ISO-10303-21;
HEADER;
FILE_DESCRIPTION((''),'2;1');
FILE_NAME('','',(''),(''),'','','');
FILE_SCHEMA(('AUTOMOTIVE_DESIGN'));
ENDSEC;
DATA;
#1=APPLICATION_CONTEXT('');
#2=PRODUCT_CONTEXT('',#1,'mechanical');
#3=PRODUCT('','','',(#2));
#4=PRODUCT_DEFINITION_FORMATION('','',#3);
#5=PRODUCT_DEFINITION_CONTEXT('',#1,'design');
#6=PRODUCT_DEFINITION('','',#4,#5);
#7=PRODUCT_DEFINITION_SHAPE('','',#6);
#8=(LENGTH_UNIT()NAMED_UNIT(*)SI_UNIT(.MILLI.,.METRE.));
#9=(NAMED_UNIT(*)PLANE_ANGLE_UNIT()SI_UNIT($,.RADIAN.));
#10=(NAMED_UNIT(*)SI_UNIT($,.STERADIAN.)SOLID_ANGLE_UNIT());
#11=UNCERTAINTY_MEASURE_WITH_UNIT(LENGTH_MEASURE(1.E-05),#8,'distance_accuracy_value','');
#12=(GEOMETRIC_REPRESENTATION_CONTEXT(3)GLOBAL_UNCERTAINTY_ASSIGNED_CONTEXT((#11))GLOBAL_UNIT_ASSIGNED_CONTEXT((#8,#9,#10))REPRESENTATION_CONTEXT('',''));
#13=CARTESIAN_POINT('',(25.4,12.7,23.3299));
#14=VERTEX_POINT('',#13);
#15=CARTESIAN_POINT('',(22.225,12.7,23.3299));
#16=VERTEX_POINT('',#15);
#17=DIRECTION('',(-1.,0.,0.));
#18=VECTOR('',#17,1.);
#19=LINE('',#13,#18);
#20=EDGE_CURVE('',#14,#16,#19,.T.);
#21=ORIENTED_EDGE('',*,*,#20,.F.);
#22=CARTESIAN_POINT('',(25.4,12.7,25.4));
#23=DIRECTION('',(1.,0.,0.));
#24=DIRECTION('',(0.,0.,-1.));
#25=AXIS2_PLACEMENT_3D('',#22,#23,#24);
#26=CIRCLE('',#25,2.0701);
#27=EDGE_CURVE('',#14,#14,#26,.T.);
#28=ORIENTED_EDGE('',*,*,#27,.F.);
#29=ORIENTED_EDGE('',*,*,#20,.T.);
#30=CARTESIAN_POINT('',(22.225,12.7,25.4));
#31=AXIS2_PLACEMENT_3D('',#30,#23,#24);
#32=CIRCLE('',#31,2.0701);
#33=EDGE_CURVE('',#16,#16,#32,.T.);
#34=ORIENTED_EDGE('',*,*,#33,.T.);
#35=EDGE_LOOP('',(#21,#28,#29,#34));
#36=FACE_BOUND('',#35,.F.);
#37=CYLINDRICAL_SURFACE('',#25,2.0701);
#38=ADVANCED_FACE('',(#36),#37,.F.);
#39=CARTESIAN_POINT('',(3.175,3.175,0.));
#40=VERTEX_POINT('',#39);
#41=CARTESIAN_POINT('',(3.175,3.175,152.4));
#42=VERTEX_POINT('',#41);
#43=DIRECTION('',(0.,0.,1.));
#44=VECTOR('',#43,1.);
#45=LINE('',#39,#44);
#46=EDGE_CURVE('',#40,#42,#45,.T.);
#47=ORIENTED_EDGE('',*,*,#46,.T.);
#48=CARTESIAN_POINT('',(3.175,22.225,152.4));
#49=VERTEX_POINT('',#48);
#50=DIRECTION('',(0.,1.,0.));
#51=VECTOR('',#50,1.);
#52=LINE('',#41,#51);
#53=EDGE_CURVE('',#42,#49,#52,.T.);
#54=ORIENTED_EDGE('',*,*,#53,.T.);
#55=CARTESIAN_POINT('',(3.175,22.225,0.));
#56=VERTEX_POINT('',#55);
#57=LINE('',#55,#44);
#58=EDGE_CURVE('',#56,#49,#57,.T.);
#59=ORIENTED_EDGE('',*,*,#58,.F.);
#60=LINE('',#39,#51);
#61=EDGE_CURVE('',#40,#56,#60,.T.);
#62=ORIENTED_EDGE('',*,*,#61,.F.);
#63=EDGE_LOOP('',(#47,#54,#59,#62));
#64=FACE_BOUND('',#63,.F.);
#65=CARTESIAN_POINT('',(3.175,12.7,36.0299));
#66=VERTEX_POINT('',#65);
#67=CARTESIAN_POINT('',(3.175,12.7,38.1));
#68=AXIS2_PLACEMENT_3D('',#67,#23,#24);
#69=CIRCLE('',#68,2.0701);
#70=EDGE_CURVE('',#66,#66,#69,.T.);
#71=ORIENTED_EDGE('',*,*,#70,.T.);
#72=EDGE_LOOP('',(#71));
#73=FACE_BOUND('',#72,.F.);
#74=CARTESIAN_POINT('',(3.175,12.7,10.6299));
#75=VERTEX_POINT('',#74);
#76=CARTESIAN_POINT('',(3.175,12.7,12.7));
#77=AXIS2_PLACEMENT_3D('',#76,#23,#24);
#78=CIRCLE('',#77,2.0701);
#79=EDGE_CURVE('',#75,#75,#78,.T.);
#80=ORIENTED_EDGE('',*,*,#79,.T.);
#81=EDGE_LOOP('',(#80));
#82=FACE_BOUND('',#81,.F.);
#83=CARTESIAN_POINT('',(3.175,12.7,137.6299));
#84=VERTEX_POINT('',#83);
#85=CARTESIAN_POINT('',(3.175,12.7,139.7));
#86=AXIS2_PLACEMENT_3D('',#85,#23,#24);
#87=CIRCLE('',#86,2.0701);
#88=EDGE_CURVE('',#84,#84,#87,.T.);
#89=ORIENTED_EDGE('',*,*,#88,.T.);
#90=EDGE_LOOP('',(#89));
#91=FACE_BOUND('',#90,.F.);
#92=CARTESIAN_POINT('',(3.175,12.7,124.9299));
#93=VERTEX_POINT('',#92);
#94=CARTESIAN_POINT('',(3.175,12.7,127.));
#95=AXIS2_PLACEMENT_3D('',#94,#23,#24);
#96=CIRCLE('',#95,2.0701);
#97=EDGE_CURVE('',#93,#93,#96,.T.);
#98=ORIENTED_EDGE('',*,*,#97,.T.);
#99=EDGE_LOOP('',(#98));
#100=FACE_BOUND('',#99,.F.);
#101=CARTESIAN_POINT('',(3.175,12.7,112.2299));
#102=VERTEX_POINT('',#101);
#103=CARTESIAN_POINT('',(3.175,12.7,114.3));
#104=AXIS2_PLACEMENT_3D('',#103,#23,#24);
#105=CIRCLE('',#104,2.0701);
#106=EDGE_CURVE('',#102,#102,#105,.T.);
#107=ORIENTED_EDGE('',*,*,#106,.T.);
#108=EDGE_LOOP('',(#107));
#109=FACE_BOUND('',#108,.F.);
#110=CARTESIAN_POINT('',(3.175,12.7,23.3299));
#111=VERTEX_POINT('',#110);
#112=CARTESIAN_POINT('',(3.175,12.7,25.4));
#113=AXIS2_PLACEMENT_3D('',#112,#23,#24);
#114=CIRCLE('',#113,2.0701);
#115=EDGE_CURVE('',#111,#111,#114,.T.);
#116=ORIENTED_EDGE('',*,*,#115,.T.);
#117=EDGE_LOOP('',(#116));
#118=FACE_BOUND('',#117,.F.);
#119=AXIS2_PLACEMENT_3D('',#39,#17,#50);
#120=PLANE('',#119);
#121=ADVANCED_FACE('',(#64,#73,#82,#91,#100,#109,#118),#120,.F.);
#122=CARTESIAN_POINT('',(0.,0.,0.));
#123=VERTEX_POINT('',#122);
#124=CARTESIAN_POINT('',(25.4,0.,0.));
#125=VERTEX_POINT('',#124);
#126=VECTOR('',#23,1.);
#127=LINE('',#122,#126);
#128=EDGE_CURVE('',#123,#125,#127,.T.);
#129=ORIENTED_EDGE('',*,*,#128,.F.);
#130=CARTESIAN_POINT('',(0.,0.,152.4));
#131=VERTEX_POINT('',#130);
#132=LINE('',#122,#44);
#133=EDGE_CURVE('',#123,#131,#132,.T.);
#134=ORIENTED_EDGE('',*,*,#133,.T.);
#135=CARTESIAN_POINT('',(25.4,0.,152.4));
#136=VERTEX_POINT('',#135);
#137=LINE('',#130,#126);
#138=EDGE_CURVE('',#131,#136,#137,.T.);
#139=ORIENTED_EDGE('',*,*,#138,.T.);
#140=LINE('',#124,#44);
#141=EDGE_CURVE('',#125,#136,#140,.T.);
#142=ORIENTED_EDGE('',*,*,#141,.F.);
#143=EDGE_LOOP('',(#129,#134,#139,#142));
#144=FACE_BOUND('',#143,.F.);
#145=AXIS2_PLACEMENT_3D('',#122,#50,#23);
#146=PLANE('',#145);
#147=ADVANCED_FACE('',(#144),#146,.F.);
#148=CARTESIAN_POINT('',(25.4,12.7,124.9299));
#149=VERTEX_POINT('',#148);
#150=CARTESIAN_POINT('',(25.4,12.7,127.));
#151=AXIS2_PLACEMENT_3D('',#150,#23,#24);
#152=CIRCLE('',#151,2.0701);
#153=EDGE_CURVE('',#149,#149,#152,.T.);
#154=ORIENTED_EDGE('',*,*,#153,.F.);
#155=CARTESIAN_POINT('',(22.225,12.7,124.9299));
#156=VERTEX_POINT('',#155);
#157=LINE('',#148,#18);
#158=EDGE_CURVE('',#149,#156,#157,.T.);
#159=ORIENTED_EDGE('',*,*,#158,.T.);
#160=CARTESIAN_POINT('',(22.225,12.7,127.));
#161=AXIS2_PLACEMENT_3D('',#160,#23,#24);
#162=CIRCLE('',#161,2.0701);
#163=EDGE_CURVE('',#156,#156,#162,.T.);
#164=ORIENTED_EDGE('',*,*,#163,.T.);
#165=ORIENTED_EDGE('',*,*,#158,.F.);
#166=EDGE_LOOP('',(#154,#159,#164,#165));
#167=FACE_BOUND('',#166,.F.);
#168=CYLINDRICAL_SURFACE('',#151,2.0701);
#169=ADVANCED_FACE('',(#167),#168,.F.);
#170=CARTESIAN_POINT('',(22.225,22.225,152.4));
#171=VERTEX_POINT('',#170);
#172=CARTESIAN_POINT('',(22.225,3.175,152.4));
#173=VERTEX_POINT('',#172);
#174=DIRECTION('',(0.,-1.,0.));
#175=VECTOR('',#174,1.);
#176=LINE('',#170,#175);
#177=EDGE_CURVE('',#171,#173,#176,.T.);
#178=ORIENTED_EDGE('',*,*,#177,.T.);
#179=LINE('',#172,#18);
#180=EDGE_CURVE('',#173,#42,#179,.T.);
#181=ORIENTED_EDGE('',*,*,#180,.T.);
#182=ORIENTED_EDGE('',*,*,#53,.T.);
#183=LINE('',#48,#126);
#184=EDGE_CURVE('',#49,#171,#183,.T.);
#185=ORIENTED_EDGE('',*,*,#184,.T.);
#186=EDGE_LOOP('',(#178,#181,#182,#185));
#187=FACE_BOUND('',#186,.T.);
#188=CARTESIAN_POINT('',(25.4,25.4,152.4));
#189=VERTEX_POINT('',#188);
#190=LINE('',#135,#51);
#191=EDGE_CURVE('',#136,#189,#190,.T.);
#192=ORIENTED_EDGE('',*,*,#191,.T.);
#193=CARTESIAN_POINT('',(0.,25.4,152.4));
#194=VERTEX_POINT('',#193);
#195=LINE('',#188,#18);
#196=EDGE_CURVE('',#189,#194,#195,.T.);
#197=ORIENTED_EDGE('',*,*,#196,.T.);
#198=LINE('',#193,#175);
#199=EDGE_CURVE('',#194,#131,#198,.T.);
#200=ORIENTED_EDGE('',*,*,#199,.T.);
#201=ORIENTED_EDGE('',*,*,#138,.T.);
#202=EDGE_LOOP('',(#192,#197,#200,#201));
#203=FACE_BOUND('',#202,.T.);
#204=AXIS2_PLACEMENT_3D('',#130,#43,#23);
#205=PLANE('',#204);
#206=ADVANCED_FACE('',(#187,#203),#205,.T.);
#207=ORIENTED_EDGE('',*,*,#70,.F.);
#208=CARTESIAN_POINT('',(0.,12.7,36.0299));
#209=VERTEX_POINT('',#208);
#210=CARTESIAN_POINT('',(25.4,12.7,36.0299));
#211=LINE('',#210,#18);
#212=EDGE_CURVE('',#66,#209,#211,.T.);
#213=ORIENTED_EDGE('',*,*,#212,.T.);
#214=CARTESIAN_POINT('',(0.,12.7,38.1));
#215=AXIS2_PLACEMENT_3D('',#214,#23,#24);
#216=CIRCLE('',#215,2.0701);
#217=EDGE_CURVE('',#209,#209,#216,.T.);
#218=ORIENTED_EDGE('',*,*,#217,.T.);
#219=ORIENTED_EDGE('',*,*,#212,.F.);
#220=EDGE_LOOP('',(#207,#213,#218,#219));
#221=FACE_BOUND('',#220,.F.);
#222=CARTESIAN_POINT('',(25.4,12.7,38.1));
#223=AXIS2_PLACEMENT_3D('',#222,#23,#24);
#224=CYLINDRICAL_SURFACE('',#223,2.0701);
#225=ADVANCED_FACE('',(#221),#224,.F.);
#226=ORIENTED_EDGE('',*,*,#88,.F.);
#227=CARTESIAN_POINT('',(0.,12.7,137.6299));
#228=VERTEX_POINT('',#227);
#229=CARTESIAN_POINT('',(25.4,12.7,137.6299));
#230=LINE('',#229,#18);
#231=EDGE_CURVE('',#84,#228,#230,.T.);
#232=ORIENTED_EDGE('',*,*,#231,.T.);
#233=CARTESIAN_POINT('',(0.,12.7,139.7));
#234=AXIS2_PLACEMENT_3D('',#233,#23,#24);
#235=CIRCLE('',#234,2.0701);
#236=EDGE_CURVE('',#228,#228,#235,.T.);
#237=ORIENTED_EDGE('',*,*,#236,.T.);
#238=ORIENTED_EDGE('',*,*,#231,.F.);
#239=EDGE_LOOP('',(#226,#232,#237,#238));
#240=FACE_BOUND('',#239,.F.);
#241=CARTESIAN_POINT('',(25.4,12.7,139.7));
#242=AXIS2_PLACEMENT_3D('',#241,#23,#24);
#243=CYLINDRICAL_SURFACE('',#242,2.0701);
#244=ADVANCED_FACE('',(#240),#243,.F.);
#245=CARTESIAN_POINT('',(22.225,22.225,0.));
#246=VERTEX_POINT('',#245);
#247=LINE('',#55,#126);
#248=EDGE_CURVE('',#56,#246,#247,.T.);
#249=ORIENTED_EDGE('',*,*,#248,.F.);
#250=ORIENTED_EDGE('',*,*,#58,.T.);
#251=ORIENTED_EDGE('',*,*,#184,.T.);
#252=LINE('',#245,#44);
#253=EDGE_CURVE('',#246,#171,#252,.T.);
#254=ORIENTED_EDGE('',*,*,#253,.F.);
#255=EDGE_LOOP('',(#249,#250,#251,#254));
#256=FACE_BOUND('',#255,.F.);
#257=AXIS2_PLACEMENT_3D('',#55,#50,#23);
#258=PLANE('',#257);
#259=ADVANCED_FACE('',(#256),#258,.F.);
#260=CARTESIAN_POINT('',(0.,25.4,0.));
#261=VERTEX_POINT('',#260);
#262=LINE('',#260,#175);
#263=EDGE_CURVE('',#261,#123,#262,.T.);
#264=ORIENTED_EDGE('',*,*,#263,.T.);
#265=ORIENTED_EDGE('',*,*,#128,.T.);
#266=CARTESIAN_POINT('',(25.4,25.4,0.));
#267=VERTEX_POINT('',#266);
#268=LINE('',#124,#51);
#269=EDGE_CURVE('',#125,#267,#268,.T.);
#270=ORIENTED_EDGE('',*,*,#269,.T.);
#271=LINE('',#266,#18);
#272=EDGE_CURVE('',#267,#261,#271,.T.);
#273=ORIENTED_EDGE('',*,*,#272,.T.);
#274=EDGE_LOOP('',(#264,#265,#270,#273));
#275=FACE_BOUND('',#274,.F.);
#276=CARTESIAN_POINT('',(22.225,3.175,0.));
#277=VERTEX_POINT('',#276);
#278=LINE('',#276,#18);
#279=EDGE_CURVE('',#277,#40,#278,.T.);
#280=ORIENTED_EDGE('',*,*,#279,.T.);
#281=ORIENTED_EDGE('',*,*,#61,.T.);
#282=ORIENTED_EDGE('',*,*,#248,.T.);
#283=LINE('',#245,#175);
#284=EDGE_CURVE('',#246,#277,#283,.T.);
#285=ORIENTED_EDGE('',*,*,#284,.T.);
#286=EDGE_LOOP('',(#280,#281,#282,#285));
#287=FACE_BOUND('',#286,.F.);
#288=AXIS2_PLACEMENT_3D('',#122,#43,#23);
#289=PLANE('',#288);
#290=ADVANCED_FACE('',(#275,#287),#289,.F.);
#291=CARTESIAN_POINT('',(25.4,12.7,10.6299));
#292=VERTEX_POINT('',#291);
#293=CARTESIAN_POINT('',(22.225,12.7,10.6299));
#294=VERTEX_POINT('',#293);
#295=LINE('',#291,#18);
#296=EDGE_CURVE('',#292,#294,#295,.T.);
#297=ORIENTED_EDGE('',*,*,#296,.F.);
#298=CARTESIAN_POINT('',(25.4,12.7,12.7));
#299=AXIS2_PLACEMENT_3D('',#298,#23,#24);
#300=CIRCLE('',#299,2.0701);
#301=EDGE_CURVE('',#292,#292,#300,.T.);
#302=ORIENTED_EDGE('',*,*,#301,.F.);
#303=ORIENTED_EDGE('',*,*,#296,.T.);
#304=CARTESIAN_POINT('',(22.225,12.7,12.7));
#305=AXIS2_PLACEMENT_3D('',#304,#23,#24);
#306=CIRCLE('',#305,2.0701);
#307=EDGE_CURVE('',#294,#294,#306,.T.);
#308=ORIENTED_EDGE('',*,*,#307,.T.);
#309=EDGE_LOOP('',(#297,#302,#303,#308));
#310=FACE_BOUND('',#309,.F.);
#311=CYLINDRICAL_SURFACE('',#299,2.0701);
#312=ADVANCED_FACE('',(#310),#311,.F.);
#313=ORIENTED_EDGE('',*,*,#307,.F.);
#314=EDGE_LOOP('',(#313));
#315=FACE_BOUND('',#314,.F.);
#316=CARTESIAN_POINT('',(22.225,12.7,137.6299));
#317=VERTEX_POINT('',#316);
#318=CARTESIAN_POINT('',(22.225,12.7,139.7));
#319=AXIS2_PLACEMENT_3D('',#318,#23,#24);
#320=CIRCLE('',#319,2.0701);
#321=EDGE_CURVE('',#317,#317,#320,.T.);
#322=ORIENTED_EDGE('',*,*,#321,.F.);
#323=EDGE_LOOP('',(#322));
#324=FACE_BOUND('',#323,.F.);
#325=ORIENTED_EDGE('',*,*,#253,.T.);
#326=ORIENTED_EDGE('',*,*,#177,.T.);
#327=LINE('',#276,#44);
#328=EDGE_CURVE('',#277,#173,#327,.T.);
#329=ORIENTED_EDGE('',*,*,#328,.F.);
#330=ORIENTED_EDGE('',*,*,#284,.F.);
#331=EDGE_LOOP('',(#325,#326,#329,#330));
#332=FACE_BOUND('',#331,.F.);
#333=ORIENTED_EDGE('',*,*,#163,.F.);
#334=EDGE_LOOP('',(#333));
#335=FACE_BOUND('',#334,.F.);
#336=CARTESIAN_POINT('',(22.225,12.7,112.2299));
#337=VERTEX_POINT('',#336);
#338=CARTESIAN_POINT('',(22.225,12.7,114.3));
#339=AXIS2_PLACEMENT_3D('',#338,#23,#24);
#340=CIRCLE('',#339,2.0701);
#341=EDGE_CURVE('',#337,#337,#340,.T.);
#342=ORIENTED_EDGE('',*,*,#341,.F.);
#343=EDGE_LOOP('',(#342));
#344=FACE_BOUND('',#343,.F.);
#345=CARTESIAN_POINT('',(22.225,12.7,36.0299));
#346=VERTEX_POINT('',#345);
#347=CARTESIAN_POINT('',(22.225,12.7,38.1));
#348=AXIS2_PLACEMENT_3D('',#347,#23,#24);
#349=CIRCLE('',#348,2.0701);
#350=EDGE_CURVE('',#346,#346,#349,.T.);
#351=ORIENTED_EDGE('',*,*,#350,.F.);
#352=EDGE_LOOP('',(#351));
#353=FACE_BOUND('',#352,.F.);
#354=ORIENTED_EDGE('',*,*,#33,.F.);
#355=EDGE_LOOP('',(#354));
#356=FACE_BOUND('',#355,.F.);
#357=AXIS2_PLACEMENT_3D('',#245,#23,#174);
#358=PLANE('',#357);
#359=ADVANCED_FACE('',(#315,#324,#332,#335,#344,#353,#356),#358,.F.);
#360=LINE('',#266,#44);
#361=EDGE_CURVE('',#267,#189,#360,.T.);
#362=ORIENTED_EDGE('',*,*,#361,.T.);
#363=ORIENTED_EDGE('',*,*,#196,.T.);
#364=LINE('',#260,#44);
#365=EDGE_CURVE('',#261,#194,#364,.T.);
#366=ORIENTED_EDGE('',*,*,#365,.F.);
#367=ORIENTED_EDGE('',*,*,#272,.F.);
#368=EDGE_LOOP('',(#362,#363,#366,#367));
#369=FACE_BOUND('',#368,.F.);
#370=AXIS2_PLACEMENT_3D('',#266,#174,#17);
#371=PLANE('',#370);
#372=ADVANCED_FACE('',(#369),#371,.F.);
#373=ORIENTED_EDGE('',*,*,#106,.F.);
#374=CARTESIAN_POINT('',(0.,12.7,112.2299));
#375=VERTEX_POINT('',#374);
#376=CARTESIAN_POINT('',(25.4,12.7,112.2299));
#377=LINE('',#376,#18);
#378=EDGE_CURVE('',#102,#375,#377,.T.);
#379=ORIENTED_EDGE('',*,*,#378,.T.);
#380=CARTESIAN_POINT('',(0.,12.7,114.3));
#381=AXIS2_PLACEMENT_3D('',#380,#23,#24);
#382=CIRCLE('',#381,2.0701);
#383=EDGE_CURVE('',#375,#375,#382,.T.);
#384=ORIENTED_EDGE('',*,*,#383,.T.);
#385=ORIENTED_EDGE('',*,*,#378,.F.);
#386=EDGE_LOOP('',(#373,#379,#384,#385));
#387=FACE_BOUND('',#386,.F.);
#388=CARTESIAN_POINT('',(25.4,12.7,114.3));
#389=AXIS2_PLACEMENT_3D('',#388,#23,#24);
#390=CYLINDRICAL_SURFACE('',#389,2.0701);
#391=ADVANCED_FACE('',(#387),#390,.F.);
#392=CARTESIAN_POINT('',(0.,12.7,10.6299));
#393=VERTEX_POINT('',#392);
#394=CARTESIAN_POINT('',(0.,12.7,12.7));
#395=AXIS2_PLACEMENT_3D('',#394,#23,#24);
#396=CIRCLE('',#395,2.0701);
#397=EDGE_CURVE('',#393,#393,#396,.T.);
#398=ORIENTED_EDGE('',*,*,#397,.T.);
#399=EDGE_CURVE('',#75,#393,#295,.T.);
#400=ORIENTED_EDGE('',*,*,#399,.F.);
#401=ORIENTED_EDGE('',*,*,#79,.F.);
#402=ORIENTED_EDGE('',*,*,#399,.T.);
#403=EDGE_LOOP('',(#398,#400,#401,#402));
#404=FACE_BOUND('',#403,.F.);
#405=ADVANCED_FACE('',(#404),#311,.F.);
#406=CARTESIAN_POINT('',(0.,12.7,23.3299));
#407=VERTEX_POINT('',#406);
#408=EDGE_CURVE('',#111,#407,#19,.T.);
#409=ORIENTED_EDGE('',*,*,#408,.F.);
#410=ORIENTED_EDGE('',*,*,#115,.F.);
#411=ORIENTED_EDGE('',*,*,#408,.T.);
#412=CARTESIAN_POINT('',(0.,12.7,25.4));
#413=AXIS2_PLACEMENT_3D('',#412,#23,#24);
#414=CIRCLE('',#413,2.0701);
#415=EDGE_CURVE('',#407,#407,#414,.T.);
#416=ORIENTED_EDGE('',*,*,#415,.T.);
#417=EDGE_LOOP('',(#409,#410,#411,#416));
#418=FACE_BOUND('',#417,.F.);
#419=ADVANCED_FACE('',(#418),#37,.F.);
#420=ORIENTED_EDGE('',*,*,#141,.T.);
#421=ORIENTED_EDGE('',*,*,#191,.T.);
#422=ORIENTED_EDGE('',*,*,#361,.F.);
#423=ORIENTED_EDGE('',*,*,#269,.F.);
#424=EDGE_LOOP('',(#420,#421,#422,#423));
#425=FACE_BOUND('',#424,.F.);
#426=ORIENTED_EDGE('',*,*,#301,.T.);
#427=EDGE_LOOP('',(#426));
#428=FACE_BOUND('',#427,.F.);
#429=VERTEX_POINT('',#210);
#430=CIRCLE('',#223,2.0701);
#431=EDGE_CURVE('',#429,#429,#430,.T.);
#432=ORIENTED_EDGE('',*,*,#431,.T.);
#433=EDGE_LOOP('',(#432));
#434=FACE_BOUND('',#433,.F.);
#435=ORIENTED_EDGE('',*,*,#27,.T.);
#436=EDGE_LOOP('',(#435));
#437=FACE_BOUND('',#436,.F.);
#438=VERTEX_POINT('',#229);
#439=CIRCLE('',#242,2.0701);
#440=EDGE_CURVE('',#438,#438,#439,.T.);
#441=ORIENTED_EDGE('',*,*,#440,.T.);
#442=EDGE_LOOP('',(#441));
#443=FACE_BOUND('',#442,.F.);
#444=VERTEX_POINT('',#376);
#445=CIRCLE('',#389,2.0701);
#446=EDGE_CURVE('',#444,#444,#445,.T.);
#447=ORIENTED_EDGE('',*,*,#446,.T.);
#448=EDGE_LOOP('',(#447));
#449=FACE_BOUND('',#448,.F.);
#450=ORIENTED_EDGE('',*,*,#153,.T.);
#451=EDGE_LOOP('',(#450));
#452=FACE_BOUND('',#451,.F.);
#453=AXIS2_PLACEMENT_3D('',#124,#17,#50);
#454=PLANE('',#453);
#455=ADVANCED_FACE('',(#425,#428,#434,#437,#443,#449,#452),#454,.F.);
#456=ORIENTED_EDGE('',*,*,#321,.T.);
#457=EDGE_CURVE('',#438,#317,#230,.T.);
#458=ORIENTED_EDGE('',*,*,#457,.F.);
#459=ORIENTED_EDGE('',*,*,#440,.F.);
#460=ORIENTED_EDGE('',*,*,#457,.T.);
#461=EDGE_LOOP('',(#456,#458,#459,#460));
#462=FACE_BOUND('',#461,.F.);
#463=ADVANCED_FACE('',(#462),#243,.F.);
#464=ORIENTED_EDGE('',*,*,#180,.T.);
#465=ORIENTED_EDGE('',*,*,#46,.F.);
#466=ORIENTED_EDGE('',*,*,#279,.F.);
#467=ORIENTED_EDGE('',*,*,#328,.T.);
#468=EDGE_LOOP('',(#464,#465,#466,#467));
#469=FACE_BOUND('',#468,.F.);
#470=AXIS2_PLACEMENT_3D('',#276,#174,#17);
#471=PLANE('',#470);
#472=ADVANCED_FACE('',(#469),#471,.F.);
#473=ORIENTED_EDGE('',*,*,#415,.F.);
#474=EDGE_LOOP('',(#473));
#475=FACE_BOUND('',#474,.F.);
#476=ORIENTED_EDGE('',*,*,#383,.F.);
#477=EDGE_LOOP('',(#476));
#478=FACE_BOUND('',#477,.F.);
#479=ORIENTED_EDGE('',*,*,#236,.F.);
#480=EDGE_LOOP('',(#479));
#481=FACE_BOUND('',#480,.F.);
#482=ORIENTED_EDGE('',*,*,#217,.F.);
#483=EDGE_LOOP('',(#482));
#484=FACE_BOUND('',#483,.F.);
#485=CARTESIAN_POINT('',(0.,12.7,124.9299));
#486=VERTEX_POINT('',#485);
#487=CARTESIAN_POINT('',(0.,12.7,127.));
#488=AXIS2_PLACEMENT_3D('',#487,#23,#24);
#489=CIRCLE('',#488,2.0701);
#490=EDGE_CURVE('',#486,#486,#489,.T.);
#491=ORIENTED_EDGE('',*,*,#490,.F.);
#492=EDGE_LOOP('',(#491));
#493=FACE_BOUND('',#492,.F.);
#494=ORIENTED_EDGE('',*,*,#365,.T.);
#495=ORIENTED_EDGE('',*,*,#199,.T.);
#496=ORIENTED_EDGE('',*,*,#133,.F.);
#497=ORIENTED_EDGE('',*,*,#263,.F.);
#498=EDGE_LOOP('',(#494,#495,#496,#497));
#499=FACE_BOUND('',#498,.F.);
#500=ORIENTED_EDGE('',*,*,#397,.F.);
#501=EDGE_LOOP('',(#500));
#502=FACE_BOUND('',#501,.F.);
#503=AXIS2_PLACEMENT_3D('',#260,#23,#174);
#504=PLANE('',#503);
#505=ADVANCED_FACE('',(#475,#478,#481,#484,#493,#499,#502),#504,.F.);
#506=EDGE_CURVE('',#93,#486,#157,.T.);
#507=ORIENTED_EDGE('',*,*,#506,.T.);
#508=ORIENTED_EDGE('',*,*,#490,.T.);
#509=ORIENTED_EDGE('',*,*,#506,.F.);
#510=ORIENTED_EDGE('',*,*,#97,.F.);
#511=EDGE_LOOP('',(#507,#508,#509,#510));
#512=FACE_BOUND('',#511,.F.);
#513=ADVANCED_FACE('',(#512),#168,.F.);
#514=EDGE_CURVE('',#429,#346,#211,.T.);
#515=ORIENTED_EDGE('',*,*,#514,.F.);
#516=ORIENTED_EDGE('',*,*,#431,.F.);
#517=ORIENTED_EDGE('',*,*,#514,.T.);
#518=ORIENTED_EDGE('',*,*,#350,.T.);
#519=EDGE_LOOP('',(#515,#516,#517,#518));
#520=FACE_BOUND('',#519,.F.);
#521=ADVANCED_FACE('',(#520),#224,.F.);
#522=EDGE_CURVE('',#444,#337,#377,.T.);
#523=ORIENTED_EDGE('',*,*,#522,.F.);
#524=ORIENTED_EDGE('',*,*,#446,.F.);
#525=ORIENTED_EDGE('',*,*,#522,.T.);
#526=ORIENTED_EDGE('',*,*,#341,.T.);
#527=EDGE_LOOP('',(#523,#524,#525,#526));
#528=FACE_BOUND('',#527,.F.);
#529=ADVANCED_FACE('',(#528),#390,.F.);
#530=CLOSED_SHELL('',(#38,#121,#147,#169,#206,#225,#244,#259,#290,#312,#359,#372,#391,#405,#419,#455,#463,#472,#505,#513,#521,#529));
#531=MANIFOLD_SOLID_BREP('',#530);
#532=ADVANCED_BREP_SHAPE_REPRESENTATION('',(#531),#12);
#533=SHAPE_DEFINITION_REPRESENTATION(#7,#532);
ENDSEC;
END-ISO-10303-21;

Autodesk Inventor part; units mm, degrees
ref_plane "YZ Plane" through (0, 0, 0) normal (1, 0, 0) x (0, 1, 0)
ref_plane "XZ Plane" through (0, 0, 0) normal (0, 1, 0) x (-1, 0, 0)
ref_plane "XY Plane" through (0, 0, 0) normal (0, 0, 1) x (1, 0, 0)
sketch "Sketch1" plane through (0, 0, 0) normal (0, 0, 1) x (1, 0, 0)
  line L0 (0, 0) -> (25.4, 0)
  line L1 (25.4, 0) -> (25.4, 25.4)
  line L2 (25.4, 25.4) -> (0, 25.4)
  line L3 (0, 25.4) -> (0, 0)
  line L4 (3.175, 22.225) -> (22.225, 22.225)
  line L5 (22.225, 22.225) -> (22.225, 3.175)
  line L6 (22.225, 3.175) -> (3.175, 3.175)
  line L7 (3.175, 3.175) -> (3.175, 22.225)
  dimension "d0" = 25.4
  dimension "d1" = 25.4
  dimension "d3" = 3.175
extrude "Extrusion1" add sketch "Sketch1" along normal blind 152.4
sketch "Sketch2" plane through (25.4, 0, 0) normal (1, 0, 0) x (0, 0, -1)
  line L0 (0, 25.4) -> (-152.4, 25.4) projected
  line L1 (-152.4, 0) -> (-152.4, 25.4) projected
  line L2 (0, 0) -> (-152.4, 0) projected
  circle A0 centre (-139.7, 12.7) radius 2.0701
  circle A1 centre (-127, 12.7) radius 2.0701
  circle A2 centre (-114.3, 12.7) radius 2.0701
  line L3 (-76.2, 25.4) -> (-76.2, 0) construction
  circle A3 centre (-12.7, 12.7) radius 2.0701
  circle A4 centre (-25.4, 12.7) radius 2.0701
  circle A5 centre (-38.1, 12.7) radius 2.0701
  dimension "d6" = 4.1402
  dimension "d7" = 12.7
  dimension "d8" = 12.7
  dimension "d11" = 12.7
extrude "Extrusion2" cut sketch "Sketch2" against normal blind 152.4
properties part number "Clapper Vertical 6 in Segment (4)"
